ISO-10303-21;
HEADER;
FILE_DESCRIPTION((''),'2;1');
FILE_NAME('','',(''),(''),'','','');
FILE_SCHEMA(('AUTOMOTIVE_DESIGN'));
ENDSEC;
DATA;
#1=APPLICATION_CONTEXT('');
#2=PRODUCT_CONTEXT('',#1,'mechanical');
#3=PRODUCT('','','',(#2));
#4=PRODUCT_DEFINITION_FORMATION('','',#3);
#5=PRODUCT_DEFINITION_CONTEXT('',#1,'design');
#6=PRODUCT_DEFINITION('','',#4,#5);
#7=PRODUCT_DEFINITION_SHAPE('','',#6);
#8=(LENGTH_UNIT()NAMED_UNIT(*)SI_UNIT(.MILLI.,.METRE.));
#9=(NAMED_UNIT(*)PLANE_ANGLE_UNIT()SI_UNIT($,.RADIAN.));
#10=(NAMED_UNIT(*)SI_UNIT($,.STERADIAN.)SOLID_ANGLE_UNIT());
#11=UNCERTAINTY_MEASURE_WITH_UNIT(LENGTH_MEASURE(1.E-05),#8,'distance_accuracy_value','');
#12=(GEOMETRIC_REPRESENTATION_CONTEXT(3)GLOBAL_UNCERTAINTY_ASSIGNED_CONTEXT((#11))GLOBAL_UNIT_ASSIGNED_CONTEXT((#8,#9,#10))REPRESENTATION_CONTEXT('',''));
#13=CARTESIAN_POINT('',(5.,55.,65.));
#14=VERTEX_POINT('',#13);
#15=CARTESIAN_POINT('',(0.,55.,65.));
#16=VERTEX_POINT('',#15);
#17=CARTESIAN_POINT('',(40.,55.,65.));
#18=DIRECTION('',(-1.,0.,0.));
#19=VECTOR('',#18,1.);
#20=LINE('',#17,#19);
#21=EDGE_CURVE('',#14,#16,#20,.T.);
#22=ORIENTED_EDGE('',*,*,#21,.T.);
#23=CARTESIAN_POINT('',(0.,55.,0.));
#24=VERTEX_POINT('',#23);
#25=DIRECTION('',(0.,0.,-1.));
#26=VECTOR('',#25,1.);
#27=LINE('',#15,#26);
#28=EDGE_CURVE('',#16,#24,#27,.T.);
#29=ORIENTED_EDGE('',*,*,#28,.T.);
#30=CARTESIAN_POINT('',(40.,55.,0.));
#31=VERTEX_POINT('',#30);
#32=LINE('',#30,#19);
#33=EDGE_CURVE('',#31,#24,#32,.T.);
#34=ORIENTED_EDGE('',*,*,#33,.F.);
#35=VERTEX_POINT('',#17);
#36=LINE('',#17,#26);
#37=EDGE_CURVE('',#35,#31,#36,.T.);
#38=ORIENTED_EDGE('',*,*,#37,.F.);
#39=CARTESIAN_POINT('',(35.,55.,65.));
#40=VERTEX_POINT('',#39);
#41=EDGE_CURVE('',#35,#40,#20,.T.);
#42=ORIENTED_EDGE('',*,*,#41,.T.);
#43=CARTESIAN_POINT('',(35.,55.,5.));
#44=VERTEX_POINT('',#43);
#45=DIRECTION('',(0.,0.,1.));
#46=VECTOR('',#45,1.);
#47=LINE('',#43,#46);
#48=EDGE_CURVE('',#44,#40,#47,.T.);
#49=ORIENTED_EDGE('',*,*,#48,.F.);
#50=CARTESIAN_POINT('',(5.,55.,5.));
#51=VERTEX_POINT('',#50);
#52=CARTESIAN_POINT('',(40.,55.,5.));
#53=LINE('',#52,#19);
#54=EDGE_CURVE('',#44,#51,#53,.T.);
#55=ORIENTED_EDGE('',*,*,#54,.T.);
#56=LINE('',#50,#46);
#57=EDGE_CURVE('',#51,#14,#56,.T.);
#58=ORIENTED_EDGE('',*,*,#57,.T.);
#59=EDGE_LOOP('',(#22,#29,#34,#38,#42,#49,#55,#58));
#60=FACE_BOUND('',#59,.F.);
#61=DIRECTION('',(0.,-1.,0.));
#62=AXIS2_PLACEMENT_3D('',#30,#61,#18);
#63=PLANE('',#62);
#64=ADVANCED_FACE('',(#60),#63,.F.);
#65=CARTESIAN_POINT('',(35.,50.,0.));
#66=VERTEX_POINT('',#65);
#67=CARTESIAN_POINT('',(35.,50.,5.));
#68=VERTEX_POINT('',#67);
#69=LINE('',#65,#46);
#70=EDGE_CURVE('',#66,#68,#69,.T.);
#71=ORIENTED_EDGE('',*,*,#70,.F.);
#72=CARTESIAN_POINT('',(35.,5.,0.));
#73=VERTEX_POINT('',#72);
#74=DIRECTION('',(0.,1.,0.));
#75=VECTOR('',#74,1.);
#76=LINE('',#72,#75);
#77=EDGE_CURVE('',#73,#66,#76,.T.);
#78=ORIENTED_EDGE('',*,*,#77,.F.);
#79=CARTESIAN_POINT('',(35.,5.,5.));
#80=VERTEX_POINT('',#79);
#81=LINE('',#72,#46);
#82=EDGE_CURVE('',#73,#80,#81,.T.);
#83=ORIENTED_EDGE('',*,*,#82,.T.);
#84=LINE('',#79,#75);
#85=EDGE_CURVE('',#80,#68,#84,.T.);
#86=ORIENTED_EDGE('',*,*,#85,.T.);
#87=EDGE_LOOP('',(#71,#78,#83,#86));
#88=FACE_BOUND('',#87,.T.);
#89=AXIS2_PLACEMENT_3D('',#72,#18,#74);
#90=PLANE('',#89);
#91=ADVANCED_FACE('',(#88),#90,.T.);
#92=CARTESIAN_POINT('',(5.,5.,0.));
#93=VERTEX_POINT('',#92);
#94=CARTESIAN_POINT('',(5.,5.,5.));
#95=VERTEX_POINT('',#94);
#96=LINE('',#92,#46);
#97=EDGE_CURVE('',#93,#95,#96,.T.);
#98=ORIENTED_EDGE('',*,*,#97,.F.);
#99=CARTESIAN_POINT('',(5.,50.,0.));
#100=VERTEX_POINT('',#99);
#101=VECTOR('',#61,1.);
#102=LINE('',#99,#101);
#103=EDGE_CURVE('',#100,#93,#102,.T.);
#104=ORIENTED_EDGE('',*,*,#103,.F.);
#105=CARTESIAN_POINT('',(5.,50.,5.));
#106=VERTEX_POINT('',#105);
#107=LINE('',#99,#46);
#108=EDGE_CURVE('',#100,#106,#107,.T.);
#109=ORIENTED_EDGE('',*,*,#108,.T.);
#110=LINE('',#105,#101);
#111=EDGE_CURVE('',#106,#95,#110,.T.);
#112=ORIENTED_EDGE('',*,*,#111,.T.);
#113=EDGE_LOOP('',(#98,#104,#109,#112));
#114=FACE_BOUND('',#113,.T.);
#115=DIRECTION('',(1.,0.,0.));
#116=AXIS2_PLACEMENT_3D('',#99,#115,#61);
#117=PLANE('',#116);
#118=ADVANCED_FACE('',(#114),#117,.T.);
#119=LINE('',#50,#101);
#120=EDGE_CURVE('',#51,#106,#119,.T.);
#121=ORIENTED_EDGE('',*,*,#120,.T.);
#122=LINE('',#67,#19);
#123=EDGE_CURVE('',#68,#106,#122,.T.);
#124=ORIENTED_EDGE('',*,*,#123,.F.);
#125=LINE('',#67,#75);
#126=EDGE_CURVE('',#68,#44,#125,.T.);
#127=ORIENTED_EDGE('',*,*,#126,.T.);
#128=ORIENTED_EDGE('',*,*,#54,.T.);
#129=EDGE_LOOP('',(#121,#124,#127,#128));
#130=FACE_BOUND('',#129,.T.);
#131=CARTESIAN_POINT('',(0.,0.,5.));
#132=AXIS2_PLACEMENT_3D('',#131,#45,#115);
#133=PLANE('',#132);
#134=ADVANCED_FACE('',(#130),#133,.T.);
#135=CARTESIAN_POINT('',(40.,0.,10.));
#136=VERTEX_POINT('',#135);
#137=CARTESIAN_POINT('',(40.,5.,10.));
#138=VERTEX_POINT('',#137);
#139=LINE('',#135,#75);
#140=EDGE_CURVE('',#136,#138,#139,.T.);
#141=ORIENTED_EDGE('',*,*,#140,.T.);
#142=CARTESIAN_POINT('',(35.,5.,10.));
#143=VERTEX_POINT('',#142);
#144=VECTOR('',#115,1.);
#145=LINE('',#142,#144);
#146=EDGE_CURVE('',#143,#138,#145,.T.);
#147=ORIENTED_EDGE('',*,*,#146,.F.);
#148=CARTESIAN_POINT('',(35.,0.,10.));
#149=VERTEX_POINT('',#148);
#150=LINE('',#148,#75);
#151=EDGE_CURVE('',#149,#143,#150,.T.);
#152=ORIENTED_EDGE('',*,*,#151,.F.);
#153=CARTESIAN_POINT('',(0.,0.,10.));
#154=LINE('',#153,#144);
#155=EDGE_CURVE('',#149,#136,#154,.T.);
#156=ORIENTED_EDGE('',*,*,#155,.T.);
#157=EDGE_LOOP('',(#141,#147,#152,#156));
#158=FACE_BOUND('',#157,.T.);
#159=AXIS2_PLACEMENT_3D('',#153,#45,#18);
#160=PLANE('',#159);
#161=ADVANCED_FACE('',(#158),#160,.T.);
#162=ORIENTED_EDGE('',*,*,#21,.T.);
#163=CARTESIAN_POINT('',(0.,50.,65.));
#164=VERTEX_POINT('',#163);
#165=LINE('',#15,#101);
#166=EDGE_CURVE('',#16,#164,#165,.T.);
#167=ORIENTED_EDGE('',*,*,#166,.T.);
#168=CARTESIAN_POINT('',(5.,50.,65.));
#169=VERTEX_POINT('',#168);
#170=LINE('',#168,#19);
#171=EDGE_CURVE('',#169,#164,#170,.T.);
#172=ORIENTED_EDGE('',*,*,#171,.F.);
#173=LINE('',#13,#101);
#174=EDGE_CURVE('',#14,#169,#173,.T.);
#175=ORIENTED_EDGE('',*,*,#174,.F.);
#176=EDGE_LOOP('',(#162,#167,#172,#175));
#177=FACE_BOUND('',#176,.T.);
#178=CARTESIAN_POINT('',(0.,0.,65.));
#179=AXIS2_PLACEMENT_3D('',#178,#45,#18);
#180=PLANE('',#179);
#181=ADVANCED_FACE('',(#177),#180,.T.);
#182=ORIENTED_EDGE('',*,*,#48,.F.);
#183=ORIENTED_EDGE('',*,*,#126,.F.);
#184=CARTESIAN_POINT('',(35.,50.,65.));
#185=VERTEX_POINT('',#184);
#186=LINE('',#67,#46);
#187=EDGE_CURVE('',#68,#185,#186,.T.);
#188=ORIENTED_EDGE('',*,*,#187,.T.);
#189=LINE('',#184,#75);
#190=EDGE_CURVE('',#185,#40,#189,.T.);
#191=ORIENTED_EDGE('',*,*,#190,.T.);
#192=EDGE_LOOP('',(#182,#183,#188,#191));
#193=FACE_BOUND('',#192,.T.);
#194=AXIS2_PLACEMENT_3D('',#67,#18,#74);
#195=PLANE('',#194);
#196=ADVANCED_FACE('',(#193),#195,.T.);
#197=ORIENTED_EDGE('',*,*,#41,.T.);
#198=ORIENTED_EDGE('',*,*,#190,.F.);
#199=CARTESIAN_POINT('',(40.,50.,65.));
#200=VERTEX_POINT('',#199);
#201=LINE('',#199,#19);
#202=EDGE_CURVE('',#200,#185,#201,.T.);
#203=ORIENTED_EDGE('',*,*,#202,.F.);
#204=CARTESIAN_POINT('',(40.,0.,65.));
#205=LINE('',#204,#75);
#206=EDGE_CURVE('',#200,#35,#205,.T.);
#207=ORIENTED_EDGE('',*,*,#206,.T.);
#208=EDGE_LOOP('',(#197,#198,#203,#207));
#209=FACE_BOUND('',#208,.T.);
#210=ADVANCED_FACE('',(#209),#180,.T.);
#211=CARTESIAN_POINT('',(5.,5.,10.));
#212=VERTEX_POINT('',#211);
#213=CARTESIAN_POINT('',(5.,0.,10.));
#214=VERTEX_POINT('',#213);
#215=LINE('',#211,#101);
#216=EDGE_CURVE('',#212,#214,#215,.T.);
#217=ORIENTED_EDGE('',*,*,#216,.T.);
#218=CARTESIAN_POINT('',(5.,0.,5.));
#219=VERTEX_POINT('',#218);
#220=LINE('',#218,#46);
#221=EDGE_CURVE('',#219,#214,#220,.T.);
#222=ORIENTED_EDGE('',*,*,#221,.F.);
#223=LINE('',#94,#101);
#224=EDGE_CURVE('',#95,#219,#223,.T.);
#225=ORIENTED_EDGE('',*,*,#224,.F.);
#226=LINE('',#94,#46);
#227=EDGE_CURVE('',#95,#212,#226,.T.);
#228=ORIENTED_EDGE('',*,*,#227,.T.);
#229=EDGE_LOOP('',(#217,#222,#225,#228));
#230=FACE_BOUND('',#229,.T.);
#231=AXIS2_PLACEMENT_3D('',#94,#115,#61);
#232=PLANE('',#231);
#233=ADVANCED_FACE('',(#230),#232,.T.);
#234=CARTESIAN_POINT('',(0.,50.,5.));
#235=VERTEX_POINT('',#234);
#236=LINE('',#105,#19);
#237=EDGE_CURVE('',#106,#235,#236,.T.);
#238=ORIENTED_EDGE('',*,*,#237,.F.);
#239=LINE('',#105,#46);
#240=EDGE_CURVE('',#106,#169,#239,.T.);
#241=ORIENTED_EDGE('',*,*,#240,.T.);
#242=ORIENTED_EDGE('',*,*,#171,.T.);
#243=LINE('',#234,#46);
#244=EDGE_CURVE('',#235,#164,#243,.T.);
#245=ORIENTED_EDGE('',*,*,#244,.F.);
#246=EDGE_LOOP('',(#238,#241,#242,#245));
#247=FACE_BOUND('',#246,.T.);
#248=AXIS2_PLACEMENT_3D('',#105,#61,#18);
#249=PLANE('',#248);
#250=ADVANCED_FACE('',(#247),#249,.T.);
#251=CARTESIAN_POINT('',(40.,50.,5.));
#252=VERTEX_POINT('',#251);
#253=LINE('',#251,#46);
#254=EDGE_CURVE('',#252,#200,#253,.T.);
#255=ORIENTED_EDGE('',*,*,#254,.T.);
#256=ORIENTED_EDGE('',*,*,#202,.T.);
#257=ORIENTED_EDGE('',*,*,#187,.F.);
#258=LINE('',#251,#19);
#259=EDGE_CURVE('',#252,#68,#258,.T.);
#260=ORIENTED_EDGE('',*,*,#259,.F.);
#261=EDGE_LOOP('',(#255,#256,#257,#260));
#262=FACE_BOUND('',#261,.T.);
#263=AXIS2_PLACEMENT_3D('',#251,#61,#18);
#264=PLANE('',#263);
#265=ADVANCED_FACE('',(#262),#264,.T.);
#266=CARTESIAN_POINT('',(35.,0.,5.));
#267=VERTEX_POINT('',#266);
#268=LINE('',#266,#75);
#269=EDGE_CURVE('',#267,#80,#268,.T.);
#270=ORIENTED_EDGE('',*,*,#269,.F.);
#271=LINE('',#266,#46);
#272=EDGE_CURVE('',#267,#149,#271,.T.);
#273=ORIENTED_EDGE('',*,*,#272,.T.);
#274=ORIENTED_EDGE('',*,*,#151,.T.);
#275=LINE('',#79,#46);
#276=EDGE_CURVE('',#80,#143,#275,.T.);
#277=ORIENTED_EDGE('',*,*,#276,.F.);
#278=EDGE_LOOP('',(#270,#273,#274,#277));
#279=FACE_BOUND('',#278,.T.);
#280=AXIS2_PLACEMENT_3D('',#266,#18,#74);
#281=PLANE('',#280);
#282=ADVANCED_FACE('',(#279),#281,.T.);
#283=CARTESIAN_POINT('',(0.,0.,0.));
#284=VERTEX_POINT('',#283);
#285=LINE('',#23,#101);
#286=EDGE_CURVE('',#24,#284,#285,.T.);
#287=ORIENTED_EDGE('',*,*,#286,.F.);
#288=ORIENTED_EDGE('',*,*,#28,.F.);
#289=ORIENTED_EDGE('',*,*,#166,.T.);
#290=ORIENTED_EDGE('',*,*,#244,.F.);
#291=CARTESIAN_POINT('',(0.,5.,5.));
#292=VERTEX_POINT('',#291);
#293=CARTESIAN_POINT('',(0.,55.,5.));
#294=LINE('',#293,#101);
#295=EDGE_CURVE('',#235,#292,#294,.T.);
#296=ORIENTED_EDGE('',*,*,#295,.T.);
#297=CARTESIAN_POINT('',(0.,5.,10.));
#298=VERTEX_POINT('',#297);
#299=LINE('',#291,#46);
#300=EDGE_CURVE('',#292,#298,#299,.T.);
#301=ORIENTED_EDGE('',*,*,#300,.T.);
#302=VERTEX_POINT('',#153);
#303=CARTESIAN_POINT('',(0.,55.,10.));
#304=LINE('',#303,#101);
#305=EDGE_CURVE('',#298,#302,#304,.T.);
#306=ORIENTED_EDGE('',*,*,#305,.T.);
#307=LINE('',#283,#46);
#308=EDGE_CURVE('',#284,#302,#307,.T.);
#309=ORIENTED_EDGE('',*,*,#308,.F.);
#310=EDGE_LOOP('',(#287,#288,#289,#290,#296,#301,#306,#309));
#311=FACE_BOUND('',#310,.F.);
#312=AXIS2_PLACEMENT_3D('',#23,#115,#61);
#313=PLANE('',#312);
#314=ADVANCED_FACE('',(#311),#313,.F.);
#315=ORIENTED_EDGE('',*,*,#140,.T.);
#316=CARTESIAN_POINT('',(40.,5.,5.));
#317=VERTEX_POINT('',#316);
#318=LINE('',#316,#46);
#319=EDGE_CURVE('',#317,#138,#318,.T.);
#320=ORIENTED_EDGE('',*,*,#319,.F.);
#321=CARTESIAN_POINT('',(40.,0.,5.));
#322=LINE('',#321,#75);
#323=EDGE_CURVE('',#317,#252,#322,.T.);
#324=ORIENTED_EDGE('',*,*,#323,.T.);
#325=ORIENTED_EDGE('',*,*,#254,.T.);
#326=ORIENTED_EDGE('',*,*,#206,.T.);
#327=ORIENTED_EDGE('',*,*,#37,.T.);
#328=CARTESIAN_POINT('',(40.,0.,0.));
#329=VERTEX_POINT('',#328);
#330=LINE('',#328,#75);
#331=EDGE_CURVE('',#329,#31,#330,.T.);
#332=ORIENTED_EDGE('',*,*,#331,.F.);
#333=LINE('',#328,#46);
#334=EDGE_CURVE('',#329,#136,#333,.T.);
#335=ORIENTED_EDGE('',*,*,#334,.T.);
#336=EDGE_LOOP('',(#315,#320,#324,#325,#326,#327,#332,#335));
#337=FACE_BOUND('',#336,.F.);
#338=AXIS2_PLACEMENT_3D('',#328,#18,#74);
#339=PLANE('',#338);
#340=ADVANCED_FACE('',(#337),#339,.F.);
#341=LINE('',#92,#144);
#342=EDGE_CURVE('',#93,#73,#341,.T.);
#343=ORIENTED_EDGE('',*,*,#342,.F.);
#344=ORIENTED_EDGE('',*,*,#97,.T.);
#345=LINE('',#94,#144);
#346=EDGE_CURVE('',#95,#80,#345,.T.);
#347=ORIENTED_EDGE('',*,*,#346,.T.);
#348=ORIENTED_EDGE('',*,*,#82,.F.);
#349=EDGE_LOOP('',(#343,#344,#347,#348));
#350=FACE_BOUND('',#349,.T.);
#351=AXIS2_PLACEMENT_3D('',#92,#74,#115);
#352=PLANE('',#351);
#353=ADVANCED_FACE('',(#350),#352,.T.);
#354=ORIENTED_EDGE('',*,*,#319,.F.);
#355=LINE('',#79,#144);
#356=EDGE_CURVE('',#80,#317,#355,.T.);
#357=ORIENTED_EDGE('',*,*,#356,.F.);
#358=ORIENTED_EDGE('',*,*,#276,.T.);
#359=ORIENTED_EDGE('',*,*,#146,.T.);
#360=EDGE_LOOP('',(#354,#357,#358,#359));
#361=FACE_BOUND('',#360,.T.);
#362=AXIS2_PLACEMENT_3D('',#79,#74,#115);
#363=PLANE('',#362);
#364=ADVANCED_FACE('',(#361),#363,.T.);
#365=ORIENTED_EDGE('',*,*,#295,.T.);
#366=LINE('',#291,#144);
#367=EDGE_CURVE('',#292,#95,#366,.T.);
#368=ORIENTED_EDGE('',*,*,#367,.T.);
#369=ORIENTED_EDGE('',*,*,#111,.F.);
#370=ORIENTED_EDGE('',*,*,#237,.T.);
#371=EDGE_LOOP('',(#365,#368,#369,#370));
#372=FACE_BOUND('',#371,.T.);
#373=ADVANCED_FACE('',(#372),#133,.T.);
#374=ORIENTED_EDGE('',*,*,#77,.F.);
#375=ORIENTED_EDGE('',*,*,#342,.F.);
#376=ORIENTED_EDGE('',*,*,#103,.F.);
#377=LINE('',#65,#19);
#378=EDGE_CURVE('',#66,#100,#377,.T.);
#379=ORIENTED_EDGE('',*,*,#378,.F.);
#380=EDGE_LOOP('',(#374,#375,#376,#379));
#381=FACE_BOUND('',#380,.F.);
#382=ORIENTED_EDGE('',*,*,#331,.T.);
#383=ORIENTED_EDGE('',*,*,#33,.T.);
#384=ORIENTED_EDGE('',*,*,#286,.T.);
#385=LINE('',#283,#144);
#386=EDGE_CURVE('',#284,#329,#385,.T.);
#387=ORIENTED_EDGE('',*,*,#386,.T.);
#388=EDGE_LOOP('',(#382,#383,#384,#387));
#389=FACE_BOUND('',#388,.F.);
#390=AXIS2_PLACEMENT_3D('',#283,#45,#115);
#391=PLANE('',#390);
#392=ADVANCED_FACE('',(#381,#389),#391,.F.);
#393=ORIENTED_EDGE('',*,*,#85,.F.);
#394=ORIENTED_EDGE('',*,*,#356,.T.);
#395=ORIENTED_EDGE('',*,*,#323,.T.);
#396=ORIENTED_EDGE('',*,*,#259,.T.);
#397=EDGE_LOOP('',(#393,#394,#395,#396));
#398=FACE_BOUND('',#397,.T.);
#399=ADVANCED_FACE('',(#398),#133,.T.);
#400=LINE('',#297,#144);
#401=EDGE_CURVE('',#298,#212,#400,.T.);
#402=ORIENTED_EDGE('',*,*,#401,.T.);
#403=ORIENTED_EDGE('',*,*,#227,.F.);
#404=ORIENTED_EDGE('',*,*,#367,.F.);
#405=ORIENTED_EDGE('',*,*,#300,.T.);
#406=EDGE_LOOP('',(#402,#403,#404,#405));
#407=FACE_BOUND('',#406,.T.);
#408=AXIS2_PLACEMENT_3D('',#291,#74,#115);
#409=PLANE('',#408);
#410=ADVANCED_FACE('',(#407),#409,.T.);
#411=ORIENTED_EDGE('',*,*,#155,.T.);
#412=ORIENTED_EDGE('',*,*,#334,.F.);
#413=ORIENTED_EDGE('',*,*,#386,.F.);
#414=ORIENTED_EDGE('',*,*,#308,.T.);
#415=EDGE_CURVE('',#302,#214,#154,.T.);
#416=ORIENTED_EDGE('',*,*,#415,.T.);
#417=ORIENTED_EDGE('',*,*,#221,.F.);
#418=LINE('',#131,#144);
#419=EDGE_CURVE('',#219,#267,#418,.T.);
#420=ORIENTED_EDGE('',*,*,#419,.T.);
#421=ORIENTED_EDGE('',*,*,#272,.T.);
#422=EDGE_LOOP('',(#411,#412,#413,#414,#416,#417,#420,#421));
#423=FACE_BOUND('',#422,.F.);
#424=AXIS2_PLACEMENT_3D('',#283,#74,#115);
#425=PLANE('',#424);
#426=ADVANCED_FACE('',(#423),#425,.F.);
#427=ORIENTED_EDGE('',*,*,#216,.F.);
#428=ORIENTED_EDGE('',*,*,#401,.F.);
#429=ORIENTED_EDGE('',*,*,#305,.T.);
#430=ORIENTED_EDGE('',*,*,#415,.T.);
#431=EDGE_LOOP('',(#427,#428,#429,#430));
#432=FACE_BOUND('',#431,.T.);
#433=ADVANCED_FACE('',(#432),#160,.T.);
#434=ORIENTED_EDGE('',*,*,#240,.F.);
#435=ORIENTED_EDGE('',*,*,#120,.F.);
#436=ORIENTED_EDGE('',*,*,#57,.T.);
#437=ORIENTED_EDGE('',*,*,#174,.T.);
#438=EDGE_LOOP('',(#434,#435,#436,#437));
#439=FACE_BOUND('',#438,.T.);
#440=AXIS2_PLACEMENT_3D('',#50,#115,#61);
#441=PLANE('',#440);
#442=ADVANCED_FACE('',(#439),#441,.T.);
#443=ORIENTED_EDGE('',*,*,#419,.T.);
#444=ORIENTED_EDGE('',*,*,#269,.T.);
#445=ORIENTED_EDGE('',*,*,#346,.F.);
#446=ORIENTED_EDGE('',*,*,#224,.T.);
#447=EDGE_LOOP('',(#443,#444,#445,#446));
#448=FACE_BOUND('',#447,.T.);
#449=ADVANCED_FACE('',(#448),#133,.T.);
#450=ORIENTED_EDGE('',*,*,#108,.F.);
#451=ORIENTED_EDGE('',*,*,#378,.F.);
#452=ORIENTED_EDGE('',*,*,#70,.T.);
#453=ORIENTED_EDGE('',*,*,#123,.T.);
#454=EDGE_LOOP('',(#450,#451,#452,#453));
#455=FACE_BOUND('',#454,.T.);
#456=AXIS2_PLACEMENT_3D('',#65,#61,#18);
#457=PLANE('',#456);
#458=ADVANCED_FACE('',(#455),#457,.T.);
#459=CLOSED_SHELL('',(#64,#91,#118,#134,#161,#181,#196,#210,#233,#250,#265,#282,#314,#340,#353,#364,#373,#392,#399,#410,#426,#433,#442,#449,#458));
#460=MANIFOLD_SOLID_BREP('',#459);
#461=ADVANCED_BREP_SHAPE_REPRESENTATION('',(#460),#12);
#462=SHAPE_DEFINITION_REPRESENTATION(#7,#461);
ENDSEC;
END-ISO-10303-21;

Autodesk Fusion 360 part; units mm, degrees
sketch "Sketch1" plane through (0, 0, 0) normal (0, 0, 1) x (1, 0, 0)
  line L0 (0, 0) -> (40, 0)
  line L1 (40, 0) -> (40, 55)
  line L2 (40, 55) -> (0, 55)
  line L3 (0, 55) -> (0, 0)
  line L4 (5, 5) -> (35, 5)
  line L5 (35, 5) -> (35, 50)
  line L6 (35, 50) -> (5, 50)
  line L7 (5, 50) -> (5, 5)
  dimension "d1" = 40
  dimension "d2" = 55
  dimension "d3" = 30
  dimension "d4" = 45
extrude "Extrude1" add sketch "Sketch1" along normal blind 5
sketch "Sketch2" plane through (0, 0, 5) normal (0, 0, 1) x (-1, 0, 0)
  line L0 (-5, -5) -> (-5, -50)
  line L1 (-5, -50) -> (-35, -50)
  line L2 (-35, -50) -> (-35, -5)
  line L3 (-35, -5) -> (-5, -5)
  line L4 (0, -55) -> (0, 0)
  line L5 (0, 0) -> (-40, 0)
  line L6 (-40, 0) -> (-40, -55)
  line L7 (-40, -55) -> (0, -55)
  line L8 (0, -55) -> (-5, -55)
  line L9 (-5, -55) -> (-5, -50)
  line L10 (-5, -50) -> (0, -50)
  line L11 (0, -50) -> (0, -55)
  line L12 (-35, -55) -> (-40, -55)
  line L13 (-40, -55) -> (-40, -50)
  line L14 (-40, -50) -> (-35, -50)
  line L15 (-35, -50) -> (-35, -55)
  line L16 (-35, -5) -> (-40, -5)
  line L17 (-40, -5) -> (-40, 0)
  line L18 (-40, 0) -> (-35, 0)
  line L19 (-35, 0) -> (-35, -5)
  line L20 (0, -5) -> (-5, -5)
  line L21 (-5, -5) -> (-5, 0)
  line L22 (-5, 0) -> (0, 0)
  line L23 (0, 0) -> (0, -5)
extrude "Extrude2" add sketch "Sketch2" along normal blind 5 contours L4 L5 L20 L21 L22 L23 | L5 L6 L16 L17 L18 L19
extrude "Extrude3" add sketch "Sketch2" along normal blind 60 contours L4 L7 L8 L9 L10 L11 | L6 L7 L12 L13 L14 L15
